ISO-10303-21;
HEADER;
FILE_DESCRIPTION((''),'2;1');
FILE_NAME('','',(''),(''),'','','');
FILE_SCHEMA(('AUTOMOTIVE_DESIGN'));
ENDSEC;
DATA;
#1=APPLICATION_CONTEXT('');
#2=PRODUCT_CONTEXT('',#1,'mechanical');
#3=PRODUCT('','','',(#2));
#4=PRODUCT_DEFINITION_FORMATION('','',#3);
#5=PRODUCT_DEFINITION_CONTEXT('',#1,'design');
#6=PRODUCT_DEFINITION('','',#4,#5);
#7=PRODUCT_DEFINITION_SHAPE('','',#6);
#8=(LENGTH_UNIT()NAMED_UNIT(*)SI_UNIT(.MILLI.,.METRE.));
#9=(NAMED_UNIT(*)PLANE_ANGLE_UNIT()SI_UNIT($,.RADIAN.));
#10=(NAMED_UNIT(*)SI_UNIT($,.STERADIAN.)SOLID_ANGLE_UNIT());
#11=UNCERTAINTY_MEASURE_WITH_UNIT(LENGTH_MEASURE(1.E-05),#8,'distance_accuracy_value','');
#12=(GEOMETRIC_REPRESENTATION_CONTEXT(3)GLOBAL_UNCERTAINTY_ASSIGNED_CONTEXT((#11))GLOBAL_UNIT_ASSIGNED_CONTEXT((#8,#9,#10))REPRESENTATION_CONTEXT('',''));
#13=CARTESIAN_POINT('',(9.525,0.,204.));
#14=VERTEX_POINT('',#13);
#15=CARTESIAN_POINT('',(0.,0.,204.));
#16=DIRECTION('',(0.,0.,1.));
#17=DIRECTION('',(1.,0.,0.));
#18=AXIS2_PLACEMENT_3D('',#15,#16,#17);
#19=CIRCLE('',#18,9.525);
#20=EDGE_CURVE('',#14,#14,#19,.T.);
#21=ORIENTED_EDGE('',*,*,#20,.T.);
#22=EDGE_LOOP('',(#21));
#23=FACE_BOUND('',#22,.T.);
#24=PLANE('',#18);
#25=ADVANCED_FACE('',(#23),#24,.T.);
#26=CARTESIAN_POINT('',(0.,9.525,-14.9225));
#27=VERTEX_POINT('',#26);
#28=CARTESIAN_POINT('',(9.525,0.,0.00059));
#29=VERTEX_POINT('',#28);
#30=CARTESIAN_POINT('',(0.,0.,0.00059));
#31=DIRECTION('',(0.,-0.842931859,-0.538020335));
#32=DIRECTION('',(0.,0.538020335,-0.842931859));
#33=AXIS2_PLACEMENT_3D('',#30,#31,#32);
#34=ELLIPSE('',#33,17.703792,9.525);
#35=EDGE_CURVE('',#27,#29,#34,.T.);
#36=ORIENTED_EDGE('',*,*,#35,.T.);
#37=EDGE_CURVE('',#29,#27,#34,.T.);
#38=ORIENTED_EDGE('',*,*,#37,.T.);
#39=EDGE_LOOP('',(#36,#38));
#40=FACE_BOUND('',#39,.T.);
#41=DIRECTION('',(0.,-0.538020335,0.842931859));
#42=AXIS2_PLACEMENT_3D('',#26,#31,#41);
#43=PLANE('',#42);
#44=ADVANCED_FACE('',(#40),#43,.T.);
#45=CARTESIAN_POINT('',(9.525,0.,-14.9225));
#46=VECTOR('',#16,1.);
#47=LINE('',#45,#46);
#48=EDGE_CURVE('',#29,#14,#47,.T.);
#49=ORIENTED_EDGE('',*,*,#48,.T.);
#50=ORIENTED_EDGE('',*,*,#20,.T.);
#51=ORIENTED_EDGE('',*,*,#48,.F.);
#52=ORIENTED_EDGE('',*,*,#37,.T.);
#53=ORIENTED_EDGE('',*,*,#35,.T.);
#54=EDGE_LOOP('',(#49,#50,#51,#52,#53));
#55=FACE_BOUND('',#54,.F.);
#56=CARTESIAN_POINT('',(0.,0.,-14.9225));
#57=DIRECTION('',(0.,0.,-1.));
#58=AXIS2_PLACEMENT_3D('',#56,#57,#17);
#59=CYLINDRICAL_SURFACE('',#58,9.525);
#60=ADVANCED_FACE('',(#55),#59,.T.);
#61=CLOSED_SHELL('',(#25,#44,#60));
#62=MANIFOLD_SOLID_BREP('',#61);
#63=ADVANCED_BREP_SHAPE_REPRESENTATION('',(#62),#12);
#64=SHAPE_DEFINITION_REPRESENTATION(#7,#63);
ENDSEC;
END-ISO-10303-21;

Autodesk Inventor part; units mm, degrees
ref_plane "Start Plane" through (0, 0, -14.9225) normal (0, 0, 1) x (1, 0, 0)
ref_plane "End Plane" through (0, 0, 204) normal (0, 0, 1) x (1, 0, 0)
sketch "Sketch" plane through (0, 0, 0) normal (0, 0, 1) x (1, 0, 0)
  circle A0 centre (0, 0) radius 9.525
  dimension "d0" = 19.05
extrude "Body" add sketch "Sketch" along normal up to surface (218.9225 mm away) from surface at -14.9225
sketch "Sketch2" plane through (0, 0, 0) normal (0, 0, 1) x (1, 0, 0)
  line L0 (0, 0) -> (10, 0)
ref_plane "Work Plane3" through (0, 0, 0) normal (0, -1, 0) x (1, 0, 0)
ref_plane "Work Plane4" through (0, 9.525, -14.9225) normal (0, -0.8429, -0.538) x (1, 0, 0)
split "Split1" plane through (0, 9.525, -14.9225) removes the side toward (0, -0.8429, -0.538)
sketch "Sketch3" plane through (0, 0, 0) normal (0, -1, 0) x (1, 0, 0)
  line L0 (-2, -14.9225) -> (12, -14.9225) projected
  line L1 (-2, 204) -> (12, 204) projected
  dimension "d7" = 218.9225
equation "\"d0\" = Diam"
equation "\"d1\" = G_L"
equation "\"Diam\" = 19.05"
equation "\"G_L\" = d7"
equation "\"G_OFFSET_START\" = 14.92247"
equation "\"G_OFFSET_END\" = 0"
equation "\"d4\" = -G_OFFSET_START"
equation "\"d5\" = G_OFFSET_END + B_L"
equation "\"B_L\" = 204"
properties part number "ANSI/AISC Rolled Steel - 3/4-8.619, RB" material "Steel, Mild"
